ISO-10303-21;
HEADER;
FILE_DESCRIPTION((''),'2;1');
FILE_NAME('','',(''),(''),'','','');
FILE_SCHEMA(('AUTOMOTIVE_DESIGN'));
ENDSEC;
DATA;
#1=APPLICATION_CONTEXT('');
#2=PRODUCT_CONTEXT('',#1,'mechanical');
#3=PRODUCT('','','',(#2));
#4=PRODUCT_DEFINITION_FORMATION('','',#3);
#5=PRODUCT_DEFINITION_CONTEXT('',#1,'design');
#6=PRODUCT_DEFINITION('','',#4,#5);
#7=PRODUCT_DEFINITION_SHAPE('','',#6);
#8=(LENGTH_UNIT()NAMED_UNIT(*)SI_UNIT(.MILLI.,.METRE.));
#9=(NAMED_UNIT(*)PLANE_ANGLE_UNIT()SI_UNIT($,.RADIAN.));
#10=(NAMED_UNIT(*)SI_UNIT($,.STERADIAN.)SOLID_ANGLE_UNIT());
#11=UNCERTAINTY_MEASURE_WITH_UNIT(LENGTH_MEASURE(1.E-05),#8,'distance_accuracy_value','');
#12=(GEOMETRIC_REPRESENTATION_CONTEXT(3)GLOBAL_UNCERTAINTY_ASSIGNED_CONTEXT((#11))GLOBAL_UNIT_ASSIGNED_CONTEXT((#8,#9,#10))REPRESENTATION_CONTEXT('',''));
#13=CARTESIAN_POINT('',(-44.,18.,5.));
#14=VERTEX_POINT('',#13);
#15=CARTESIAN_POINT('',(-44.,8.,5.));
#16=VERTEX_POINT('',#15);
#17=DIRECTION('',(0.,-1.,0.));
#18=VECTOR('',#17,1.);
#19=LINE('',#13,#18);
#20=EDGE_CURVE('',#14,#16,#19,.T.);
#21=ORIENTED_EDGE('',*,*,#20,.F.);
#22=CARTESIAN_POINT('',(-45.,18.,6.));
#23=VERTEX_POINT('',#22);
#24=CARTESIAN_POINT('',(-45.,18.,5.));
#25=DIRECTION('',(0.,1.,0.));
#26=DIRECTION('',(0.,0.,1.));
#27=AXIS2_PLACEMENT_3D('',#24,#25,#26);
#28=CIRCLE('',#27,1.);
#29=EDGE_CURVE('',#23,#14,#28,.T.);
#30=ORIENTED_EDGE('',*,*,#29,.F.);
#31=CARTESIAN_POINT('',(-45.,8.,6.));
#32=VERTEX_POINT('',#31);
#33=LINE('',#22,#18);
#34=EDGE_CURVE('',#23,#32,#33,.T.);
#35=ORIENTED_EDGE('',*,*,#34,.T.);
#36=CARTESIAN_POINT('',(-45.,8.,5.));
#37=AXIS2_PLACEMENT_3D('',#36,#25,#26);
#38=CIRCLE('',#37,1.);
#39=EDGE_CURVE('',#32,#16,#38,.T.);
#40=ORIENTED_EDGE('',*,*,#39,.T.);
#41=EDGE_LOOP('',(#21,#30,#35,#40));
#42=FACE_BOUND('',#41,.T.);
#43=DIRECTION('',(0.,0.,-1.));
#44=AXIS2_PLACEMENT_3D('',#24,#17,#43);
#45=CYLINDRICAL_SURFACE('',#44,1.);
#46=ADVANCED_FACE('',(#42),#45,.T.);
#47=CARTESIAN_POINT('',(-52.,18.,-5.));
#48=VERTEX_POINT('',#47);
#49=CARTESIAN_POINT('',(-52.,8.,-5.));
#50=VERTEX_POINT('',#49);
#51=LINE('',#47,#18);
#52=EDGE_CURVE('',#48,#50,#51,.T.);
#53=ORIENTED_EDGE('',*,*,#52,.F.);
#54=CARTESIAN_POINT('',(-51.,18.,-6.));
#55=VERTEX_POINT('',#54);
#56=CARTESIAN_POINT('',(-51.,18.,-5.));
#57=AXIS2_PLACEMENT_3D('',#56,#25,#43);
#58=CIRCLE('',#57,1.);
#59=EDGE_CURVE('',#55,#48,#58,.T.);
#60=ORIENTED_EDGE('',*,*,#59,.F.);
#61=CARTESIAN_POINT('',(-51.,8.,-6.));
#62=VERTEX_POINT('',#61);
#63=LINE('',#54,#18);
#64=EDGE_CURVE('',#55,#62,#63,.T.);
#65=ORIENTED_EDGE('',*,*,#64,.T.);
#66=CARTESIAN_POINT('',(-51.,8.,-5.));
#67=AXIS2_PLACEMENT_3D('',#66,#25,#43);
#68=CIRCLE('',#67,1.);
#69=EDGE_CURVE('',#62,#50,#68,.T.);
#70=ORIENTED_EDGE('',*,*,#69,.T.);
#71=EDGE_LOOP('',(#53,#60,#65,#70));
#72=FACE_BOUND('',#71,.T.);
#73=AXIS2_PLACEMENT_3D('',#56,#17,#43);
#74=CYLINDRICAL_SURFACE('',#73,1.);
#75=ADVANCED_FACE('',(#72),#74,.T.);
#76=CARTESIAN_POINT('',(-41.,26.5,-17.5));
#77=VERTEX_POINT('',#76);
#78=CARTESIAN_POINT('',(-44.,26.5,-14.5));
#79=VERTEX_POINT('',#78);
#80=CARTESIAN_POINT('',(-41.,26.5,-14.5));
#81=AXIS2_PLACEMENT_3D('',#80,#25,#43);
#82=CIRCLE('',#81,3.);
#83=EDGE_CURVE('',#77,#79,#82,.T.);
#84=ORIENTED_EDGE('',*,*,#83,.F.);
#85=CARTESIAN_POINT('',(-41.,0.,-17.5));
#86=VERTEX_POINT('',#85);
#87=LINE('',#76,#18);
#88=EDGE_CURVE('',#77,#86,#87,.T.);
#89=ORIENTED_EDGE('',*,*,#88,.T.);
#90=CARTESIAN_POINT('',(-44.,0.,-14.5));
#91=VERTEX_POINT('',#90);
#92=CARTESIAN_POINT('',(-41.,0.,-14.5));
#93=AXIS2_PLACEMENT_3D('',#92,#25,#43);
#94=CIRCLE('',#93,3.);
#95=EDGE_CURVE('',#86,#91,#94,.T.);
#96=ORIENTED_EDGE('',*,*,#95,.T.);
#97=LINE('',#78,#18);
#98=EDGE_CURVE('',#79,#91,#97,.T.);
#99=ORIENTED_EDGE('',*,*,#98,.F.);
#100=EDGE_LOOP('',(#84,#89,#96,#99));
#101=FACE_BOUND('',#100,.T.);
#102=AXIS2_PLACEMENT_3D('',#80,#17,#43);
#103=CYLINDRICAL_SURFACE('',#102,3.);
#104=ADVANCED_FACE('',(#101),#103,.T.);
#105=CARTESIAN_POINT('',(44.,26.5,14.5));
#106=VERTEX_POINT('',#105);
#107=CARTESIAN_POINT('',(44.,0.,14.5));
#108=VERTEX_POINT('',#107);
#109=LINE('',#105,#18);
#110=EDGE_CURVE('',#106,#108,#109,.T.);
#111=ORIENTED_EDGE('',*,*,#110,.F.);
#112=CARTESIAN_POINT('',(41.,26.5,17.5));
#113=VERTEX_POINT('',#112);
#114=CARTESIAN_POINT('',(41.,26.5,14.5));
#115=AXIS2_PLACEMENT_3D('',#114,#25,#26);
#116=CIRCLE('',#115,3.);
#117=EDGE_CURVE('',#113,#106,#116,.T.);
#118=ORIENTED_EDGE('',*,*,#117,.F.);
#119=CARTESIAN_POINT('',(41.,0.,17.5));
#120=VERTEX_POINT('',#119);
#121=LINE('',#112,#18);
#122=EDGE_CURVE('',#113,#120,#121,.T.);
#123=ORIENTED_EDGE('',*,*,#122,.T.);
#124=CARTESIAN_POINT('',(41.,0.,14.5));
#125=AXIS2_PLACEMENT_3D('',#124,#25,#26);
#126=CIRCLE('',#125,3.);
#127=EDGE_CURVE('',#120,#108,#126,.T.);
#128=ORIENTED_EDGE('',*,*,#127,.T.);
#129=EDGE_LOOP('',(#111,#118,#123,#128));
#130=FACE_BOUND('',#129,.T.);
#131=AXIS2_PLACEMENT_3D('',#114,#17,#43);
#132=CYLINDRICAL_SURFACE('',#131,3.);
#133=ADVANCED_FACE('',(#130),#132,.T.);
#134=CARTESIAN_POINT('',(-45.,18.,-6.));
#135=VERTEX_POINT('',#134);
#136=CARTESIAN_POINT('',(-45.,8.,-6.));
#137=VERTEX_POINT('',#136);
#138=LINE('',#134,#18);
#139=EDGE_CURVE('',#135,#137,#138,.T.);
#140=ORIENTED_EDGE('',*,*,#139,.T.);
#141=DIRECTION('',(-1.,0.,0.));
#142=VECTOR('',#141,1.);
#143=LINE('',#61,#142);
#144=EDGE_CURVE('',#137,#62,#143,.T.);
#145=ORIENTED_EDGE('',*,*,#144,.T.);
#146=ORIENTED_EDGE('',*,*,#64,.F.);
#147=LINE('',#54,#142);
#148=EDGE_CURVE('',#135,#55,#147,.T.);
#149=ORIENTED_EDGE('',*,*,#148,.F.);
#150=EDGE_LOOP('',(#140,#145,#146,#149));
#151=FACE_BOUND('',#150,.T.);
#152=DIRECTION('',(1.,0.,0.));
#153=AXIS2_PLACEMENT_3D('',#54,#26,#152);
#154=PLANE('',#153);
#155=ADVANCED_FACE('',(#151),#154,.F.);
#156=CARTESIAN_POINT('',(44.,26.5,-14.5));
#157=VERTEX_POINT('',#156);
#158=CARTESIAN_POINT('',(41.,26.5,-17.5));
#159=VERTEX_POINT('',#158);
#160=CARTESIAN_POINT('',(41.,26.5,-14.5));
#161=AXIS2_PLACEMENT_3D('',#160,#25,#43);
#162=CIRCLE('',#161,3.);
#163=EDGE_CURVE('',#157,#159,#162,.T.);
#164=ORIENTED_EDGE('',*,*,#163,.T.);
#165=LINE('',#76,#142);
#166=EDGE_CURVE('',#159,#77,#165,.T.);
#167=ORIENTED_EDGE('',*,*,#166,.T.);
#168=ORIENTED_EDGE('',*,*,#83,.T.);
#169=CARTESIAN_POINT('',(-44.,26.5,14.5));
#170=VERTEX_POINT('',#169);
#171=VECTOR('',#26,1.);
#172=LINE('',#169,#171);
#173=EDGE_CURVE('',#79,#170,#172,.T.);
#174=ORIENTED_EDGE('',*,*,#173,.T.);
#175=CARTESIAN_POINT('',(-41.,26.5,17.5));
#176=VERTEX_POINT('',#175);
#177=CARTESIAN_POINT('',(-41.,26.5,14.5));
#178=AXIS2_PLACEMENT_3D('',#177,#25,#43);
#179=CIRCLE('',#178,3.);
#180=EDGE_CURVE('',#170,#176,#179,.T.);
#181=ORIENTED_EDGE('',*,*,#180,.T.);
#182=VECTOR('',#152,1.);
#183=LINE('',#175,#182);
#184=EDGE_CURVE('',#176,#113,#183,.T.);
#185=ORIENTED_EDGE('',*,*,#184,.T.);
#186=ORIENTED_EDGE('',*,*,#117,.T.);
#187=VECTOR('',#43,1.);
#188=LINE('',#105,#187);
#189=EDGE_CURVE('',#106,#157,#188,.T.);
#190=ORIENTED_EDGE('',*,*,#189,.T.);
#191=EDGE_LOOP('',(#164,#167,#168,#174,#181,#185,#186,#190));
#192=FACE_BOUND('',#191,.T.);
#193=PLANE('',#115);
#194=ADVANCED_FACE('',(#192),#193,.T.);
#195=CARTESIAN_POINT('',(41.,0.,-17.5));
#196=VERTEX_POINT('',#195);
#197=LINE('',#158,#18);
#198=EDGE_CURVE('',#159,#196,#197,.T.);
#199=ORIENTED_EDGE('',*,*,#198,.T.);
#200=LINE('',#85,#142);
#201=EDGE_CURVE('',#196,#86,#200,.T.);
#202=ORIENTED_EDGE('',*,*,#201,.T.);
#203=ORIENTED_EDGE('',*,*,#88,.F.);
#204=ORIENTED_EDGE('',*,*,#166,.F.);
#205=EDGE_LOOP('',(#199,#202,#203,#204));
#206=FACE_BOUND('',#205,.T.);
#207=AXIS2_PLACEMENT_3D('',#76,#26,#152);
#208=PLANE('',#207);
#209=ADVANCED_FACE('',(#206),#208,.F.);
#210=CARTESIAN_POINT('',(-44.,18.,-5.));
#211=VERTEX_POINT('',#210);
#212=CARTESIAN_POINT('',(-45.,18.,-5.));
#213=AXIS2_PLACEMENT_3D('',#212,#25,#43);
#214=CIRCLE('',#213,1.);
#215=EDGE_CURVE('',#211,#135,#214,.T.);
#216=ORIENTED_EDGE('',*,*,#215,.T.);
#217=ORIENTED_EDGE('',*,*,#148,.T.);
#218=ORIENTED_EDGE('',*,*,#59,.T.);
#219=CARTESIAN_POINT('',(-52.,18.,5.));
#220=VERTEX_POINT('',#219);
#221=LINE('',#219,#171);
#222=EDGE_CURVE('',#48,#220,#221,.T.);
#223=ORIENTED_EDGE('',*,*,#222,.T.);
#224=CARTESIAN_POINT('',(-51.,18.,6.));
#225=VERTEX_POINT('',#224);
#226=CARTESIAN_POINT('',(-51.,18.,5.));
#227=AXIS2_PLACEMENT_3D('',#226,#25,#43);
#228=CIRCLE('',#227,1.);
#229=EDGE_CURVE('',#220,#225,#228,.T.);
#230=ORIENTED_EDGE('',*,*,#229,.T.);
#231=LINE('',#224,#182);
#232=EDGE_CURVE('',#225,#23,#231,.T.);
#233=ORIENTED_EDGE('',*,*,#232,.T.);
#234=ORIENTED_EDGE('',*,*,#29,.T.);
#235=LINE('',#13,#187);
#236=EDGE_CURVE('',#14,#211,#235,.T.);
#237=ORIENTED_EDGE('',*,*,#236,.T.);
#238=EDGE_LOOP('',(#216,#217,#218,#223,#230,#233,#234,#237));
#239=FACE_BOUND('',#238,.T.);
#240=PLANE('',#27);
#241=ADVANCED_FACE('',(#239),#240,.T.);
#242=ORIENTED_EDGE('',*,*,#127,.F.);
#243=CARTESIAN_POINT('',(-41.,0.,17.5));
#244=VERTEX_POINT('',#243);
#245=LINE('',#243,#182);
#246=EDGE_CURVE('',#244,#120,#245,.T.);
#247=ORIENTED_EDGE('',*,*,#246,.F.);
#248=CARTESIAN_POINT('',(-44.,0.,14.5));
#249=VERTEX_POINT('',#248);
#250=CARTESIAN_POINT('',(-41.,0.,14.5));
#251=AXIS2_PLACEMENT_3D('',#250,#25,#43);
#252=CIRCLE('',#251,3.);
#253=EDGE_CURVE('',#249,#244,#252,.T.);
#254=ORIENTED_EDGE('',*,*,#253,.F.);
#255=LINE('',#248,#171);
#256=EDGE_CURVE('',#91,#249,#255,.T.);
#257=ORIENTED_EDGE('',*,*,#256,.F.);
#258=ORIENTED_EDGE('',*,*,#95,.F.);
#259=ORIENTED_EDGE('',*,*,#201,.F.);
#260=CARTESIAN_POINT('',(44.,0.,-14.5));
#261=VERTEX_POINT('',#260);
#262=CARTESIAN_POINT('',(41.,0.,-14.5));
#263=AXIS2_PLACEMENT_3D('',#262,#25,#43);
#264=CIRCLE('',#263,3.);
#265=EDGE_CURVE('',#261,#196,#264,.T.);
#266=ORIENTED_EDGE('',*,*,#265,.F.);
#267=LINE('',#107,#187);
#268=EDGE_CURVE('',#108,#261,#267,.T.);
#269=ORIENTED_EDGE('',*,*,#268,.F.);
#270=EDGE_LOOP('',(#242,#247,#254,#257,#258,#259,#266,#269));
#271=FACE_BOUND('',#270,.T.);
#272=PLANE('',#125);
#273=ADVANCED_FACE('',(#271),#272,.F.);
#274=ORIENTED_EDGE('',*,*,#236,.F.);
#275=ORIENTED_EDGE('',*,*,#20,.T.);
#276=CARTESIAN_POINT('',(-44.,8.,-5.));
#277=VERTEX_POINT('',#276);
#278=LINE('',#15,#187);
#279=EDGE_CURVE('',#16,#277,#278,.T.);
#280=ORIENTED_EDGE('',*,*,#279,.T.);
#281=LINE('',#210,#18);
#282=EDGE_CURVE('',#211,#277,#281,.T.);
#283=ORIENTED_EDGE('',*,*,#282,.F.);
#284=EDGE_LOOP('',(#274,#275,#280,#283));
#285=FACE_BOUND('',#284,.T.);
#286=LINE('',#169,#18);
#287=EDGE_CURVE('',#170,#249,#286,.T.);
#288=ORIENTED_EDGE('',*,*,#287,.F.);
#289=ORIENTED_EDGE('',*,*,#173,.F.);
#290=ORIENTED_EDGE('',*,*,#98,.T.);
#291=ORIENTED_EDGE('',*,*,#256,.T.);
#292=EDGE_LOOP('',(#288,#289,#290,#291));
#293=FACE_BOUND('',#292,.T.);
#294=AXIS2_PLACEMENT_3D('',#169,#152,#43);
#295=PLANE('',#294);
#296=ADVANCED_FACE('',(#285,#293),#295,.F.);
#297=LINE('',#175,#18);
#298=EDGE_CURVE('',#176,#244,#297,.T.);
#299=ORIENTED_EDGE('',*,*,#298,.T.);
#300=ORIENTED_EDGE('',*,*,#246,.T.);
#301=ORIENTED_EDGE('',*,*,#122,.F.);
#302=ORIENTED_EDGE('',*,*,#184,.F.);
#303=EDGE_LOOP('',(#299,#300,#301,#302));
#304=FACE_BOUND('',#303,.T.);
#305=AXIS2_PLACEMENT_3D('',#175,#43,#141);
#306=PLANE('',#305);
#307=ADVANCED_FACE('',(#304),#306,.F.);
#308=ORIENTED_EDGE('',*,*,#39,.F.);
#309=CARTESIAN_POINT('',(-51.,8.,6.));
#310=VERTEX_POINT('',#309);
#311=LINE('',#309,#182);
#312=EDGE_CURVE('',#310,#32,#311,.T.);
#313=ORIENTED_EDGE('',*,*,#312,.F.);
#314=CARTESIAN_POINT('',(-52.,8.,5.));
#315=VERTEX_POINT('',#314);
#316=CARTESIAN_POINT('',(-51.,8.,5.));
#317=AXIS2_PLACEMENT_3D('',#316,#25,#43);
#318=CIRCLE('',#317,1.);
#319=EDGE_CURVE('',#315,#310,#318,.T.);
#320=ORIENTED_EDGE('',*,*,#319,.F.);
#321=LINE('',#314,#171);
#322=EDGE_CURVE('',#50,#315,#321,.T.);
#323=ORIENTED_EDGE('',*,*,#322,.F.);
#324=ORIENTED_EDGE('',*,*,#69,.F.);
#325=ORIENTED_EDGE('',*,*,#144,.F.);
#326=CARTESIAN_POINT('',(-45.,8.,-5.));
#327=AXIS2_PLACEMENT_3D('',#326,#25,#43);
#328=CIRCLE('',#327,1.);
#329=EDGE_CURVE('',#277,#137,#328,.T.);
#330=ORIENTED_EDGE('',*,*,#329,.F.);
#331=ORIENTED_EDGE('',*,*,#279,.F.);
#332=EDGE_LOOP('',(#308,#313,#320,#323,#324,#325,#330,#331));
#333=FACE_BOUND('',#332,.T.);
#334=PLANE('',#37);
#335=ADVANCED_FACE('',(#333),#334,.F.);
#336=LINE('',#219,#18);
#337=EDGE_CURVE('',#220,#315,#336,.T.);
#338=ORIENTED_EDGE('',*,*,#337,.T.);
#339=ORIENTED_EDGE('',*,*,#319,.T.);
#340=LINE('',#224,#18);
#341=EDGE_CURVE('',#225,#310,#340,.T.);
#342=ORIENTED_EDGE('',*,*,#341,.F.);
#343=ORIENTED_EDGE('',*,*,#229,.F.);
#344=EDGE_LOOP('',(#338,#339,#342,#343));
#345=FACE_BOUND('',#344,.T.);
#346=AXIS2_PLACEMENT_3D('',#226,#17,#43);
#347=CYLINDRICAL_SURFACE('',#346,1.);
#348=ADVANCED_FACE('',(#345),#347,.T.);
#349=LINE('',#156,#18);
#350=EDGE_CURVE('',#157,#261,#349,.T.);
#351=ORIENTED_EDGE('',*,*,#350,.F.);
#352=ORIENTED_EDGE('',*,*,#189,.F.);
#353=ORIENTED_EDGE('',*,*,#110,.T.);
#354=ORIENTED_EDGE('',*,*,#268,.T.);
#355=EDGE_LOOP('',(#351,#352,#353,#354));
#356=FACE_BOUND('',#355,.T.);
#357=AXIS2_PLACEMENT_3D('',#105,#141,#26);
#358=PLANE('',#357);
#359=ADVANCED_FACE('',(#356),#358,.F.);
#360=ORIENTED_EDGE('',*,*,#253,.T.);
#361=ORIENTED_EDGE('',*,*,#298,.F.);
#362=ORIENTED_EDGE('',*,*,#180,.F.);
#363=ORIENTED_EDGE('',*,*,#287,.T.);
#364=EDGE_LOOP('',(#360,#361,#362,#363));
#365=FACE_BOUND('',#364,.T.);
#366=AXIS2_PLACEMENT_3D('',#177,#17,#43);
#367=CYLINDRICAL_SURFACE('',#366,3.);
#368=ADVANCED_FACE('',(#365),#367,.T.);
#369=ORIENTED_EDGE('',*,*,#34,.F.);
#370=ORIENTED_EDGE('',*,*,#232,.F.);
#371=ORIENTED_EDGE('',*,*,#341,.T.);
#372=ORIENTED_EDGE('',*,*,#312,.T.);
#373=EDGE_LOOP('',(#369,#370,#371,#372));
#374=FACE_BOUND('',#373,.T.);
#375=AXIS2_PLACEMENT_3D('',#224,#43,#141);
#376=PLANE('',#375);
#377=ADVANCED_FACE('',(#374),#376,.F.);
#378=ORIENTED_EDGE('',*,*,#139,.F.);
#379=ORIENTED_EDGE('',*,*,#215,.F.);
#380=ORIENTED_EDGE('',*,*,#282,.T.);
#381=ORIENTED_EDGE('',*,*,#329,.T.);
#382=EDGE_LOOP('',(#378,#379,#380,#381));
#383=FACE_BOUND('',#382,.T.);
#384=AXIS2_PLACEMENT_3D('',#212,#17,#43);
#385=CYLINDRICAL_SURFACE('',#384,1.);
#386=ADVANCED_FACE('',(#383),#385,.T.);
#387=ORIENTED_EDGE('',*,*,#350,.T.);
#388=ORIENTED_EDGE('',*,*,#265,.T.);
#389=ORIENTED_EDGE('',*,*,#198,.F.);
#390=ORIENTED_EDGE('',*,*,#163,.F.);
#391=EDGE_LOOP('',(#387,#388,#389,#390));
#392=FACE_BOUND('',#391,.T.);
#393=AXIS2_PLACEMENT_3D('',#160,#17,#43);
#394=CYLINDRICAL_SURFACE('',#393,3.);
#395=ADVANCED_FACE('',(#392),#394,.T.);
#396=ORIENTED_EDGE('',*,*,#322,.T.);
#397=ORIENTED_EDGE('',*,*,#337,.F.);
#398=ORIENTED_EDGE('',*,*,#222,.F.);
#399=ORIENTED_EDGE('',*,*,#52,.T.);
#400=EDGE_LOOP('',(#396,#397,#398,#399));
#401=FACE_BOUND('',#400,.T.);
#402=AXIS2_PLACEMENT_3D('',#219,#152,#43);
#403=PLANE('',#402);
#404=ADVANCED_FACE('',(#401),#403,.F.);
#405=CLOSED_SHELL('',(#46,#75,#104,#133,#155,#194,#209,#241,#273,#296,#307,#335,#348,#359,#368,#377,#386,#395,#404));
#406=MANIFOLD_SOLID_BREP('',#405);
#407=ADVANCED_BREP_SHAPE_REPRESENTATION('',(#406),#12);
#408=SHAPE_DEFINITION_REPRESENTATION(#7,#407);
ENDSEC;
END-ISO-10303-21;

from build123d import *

# Parameters (mm, degrees)
CELL_PACK_DEPTH = 26.5
CONNECTOR_START = 8
CONNECTOR_DEPTH = 10


with BuildPart() as part:
    # SK_1 → Cell_Pack (new body)
    with BuildSketch(Plane(origin=(0, 0, 0), x_dir=(1, 0, 0), z_dir=(0, 1, 0))):
        with BuildLine():
            Line((-41, -17.5), (41, -17.5))
            ThreePointArc((41, -17.5), (43.121320344, -16.621320344), (44, -14.5))
            Line((44, -14.5), (44, 14.5))
            ThreePointArc((44, 14.5), (43.121320344, 16.621320344), (41, 17.5))
            Line((41, 17.5), (-41, 17.5))
            ThreePointArc((-41, 17.5), (-43.121320344, 16.621320344), (-44, 14.5))
            Line((-44, 14.5), (-44, -14.5))
            ThreePointArc((-44, -14.5), (-43.121320344, -16.621320344), (-41, -17.5))
        make_face()
    extrude(amount=CELL_PACK_DEPTH)

    # SK_2 → Connector (add)
    with BuildSketch(Plane(origin=(0, 0, 0), x_dir=(1, 0, 0), z_dir=(0, 1, 0)).offset(CONNECTOR_START)):
        with BuildLine():
            Line((-51, -6), (-45, -6))
            ThreePointArc((-45, -6), (-44.292893219, -5.707106781), (-44, -5))
            Line((-44, -5), (-44, 5))
            ThreePointArc((-44, 5), (-44.292893219, 5.707106781), (-45, 6))
            Line((-45, 6), (-51, 6))
            ThreePointArc((-51, 6), (-51.707106781, 5.707106781), (-52, 5))
            Line((-52, 5), (-52, -5))
            ThreePointArc((-52, -5), (-51.707106781, -5.707106781), (-51, -6))
        make_face()
    extrude(amount=CONNECTOR_DEPTH)


solid = part.part
